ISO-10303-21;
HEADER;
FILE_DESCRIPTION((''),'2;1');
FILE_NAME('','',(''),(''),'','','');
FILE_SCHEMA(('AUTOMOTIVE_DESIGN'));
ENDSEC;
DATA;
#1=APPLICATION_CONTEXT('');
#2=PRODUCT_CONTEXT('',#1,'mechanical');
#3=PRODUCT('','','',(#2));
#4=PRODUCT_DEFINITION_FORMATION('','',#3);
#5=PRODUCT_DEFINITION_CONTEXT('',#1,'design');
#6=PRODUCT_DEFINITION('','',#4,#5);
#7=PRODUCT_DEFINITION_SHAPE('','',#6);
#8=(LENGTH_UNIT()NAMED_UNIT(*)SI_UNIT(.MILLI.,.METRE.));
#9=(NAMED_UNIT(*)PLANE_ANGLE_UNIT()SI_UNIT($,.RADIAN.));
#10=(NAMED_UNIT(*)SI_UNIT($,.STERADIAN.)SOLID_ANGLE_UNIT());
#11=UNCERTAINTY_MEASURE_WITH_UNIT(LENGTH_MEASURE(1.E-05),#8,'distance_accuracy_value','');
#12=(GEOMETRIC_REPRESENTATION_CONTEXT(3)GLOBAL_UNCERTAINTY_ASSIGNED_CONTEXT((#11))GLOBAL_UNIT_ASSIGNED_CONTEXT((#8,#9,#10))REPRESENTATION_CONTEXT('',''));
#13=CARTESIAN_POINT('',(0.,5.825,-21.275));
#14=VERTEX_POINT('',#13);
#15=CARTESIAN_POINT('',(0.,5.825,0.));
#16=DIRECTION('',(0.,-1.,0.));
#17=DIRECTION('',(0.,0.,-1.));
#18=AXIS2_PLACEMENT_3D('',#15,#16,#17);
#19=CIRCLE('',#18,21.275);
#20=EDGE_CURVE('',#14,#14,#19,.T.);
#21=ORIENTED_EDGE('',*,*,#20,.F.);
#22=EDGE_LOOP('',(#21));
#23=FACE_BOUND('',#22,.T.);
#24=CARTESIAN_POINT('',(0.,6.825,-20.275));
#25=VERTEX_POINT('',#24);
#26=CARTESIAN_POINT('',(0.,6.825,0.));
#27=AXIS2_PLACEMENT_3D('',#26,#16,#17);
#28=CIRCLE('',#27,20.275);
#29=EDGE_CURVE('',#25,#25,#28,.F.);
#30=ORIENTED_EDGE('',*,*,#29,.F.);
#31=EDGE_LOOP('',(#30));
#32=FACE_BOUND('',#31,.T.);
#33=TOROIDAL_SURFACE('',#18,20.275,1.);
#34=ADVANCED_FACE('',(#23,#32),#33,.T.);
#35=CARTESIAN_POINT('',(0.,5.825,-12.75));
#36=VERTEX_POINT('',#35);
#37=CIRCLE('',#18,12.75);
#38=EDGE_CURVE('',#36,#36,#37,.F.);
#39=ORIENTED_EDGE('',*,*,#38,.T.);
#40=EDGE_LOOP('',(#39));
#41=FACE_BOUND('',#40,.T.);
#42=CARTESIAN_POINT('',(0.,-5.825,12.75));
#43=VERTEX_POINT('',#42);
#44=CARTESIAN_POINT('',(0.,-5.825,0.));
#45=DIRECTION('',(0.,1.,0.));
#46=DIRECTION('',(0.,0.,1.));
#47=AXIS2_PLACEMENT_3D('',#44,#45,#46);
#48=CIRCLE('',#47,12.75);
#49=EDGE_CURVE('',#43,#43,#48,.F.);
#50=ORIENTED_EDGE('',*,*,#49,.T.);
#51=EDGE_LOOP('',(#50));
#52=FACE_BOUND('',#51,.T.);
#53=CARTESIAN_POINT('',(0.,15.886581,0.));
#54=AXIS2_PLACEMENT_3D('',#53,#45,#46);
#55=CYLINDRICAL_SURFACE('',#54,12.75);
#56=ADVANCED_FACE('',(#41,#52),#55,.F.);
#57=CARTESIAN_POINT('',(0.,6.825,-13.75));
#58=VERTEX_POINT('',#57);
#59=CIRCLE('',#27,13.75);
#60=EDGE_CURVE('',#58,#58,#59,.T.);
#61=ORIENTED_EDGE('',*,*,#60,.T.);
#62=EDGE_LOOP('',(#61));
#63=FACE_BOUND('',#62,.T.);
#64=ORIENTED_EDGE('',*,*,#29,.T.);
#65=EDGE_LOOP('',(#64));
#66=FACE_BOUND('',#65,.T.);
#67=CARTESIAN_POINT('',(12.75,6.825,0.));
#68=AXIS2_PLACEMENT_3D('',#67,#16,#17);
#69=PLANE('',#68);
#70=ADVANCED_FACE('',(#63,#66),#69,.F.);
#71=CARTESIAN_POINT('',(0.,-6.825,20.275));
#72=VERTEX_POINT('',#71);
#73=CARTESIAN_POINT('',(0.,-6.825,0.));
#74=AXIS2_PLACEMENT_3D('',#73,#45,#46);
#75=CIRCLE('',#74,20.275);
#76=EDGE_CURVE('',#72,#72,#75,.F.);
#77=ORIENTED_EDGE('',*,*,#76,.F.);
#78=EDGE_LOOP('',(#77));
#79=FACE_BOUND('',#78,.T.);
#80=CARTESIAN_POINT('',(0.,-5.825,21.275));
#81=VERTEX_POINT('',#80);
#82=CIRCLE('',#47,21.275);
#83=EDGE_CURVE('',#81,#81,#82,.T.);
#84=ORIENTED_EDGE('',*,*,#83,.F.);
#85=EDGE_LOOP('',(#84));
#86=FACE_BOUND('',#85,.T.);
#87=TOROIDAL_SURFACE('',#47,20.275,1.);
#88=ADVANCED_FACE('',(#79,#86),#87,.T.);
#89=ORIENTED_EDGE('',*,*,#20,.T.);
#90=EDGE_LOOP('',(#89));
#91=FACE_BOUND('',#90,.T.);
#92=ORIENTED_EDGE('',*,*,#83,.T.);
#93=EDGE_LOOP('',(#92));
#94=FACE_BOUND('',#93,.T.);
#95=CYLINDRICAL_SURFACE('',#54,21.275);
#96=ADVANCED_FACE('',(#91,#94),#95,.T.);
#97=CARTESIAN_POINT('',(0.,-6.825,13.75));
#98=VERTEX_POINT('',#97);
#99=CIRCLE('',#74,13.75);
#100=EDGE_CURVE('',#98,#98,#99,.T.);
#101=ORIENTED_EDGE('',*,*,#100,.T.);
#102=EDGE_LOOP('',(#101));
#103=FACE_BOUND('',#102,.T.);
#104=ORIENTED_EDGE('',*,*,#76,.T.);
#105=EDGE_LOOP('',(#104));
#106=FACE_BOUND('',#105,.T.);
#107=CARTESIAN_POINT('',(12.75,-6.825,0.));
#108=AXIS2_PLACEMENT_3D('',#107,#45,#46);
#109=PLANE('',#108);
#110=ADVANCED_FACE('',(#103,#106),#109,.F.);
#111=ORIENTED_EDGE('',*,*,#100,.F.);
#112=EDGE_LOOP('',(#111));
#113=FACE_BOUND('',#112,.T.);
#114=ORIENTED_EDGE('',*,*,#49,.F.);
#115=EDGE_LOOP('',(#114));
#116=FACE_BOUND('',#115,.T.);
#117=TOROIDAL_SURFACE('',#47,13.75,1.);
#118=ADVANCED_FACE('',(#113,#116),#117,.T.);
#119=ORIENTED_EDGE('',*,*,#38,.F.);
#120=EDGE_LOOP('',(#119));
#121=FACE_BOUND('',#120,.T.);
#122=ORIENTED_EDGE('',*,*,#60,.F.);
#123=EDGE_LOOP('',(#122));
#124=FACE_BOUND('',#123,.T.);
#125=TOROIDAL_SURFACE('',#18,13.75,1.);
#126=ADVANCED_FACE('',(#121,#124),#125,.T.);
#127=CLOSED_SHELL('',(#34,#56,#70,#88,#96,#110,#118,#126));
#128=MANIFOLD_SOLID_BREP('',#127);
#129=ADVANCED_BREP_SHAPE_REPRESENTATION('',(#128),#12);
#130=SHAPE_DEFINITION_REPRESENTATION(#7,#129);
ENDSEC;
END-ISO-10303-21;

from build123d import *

# Parameters (mm, degrees)
SKETCH1_W = 8.525
SKETCH1_H = 13.65
FILLET1_R = 1


with BuildPart() as part:
    # Sketch1 → Revolve1 (revolve)
    with BuildSketch(Plane.XY, mode=Mode.PRIVATE) as revolve1_sk:
        with Locations((17.0125, 0)):
            Rectangle(SKETCH1_W, SKETCH1_H)
    revolve(revolve1_sk.sketch.rotate(Axis((0, 15.88658147, 0), (0, -1, 0)), 90), axis=Axis((0, 15.88658147, 0), (0, -1, 0)))

    # Fillet1
    fillet1_edges = [part.edges().sort_by_distance(p)[0] for p in [
        (0, -6.825, -21.275),
        (0, -6.825, -12.75),
        (0, 6.825, -12.75),
        (0, 6.825, -21.275),
    ]]
    fillet(fillet1_edges, radius=FILLET1_R)


solid = part.part
